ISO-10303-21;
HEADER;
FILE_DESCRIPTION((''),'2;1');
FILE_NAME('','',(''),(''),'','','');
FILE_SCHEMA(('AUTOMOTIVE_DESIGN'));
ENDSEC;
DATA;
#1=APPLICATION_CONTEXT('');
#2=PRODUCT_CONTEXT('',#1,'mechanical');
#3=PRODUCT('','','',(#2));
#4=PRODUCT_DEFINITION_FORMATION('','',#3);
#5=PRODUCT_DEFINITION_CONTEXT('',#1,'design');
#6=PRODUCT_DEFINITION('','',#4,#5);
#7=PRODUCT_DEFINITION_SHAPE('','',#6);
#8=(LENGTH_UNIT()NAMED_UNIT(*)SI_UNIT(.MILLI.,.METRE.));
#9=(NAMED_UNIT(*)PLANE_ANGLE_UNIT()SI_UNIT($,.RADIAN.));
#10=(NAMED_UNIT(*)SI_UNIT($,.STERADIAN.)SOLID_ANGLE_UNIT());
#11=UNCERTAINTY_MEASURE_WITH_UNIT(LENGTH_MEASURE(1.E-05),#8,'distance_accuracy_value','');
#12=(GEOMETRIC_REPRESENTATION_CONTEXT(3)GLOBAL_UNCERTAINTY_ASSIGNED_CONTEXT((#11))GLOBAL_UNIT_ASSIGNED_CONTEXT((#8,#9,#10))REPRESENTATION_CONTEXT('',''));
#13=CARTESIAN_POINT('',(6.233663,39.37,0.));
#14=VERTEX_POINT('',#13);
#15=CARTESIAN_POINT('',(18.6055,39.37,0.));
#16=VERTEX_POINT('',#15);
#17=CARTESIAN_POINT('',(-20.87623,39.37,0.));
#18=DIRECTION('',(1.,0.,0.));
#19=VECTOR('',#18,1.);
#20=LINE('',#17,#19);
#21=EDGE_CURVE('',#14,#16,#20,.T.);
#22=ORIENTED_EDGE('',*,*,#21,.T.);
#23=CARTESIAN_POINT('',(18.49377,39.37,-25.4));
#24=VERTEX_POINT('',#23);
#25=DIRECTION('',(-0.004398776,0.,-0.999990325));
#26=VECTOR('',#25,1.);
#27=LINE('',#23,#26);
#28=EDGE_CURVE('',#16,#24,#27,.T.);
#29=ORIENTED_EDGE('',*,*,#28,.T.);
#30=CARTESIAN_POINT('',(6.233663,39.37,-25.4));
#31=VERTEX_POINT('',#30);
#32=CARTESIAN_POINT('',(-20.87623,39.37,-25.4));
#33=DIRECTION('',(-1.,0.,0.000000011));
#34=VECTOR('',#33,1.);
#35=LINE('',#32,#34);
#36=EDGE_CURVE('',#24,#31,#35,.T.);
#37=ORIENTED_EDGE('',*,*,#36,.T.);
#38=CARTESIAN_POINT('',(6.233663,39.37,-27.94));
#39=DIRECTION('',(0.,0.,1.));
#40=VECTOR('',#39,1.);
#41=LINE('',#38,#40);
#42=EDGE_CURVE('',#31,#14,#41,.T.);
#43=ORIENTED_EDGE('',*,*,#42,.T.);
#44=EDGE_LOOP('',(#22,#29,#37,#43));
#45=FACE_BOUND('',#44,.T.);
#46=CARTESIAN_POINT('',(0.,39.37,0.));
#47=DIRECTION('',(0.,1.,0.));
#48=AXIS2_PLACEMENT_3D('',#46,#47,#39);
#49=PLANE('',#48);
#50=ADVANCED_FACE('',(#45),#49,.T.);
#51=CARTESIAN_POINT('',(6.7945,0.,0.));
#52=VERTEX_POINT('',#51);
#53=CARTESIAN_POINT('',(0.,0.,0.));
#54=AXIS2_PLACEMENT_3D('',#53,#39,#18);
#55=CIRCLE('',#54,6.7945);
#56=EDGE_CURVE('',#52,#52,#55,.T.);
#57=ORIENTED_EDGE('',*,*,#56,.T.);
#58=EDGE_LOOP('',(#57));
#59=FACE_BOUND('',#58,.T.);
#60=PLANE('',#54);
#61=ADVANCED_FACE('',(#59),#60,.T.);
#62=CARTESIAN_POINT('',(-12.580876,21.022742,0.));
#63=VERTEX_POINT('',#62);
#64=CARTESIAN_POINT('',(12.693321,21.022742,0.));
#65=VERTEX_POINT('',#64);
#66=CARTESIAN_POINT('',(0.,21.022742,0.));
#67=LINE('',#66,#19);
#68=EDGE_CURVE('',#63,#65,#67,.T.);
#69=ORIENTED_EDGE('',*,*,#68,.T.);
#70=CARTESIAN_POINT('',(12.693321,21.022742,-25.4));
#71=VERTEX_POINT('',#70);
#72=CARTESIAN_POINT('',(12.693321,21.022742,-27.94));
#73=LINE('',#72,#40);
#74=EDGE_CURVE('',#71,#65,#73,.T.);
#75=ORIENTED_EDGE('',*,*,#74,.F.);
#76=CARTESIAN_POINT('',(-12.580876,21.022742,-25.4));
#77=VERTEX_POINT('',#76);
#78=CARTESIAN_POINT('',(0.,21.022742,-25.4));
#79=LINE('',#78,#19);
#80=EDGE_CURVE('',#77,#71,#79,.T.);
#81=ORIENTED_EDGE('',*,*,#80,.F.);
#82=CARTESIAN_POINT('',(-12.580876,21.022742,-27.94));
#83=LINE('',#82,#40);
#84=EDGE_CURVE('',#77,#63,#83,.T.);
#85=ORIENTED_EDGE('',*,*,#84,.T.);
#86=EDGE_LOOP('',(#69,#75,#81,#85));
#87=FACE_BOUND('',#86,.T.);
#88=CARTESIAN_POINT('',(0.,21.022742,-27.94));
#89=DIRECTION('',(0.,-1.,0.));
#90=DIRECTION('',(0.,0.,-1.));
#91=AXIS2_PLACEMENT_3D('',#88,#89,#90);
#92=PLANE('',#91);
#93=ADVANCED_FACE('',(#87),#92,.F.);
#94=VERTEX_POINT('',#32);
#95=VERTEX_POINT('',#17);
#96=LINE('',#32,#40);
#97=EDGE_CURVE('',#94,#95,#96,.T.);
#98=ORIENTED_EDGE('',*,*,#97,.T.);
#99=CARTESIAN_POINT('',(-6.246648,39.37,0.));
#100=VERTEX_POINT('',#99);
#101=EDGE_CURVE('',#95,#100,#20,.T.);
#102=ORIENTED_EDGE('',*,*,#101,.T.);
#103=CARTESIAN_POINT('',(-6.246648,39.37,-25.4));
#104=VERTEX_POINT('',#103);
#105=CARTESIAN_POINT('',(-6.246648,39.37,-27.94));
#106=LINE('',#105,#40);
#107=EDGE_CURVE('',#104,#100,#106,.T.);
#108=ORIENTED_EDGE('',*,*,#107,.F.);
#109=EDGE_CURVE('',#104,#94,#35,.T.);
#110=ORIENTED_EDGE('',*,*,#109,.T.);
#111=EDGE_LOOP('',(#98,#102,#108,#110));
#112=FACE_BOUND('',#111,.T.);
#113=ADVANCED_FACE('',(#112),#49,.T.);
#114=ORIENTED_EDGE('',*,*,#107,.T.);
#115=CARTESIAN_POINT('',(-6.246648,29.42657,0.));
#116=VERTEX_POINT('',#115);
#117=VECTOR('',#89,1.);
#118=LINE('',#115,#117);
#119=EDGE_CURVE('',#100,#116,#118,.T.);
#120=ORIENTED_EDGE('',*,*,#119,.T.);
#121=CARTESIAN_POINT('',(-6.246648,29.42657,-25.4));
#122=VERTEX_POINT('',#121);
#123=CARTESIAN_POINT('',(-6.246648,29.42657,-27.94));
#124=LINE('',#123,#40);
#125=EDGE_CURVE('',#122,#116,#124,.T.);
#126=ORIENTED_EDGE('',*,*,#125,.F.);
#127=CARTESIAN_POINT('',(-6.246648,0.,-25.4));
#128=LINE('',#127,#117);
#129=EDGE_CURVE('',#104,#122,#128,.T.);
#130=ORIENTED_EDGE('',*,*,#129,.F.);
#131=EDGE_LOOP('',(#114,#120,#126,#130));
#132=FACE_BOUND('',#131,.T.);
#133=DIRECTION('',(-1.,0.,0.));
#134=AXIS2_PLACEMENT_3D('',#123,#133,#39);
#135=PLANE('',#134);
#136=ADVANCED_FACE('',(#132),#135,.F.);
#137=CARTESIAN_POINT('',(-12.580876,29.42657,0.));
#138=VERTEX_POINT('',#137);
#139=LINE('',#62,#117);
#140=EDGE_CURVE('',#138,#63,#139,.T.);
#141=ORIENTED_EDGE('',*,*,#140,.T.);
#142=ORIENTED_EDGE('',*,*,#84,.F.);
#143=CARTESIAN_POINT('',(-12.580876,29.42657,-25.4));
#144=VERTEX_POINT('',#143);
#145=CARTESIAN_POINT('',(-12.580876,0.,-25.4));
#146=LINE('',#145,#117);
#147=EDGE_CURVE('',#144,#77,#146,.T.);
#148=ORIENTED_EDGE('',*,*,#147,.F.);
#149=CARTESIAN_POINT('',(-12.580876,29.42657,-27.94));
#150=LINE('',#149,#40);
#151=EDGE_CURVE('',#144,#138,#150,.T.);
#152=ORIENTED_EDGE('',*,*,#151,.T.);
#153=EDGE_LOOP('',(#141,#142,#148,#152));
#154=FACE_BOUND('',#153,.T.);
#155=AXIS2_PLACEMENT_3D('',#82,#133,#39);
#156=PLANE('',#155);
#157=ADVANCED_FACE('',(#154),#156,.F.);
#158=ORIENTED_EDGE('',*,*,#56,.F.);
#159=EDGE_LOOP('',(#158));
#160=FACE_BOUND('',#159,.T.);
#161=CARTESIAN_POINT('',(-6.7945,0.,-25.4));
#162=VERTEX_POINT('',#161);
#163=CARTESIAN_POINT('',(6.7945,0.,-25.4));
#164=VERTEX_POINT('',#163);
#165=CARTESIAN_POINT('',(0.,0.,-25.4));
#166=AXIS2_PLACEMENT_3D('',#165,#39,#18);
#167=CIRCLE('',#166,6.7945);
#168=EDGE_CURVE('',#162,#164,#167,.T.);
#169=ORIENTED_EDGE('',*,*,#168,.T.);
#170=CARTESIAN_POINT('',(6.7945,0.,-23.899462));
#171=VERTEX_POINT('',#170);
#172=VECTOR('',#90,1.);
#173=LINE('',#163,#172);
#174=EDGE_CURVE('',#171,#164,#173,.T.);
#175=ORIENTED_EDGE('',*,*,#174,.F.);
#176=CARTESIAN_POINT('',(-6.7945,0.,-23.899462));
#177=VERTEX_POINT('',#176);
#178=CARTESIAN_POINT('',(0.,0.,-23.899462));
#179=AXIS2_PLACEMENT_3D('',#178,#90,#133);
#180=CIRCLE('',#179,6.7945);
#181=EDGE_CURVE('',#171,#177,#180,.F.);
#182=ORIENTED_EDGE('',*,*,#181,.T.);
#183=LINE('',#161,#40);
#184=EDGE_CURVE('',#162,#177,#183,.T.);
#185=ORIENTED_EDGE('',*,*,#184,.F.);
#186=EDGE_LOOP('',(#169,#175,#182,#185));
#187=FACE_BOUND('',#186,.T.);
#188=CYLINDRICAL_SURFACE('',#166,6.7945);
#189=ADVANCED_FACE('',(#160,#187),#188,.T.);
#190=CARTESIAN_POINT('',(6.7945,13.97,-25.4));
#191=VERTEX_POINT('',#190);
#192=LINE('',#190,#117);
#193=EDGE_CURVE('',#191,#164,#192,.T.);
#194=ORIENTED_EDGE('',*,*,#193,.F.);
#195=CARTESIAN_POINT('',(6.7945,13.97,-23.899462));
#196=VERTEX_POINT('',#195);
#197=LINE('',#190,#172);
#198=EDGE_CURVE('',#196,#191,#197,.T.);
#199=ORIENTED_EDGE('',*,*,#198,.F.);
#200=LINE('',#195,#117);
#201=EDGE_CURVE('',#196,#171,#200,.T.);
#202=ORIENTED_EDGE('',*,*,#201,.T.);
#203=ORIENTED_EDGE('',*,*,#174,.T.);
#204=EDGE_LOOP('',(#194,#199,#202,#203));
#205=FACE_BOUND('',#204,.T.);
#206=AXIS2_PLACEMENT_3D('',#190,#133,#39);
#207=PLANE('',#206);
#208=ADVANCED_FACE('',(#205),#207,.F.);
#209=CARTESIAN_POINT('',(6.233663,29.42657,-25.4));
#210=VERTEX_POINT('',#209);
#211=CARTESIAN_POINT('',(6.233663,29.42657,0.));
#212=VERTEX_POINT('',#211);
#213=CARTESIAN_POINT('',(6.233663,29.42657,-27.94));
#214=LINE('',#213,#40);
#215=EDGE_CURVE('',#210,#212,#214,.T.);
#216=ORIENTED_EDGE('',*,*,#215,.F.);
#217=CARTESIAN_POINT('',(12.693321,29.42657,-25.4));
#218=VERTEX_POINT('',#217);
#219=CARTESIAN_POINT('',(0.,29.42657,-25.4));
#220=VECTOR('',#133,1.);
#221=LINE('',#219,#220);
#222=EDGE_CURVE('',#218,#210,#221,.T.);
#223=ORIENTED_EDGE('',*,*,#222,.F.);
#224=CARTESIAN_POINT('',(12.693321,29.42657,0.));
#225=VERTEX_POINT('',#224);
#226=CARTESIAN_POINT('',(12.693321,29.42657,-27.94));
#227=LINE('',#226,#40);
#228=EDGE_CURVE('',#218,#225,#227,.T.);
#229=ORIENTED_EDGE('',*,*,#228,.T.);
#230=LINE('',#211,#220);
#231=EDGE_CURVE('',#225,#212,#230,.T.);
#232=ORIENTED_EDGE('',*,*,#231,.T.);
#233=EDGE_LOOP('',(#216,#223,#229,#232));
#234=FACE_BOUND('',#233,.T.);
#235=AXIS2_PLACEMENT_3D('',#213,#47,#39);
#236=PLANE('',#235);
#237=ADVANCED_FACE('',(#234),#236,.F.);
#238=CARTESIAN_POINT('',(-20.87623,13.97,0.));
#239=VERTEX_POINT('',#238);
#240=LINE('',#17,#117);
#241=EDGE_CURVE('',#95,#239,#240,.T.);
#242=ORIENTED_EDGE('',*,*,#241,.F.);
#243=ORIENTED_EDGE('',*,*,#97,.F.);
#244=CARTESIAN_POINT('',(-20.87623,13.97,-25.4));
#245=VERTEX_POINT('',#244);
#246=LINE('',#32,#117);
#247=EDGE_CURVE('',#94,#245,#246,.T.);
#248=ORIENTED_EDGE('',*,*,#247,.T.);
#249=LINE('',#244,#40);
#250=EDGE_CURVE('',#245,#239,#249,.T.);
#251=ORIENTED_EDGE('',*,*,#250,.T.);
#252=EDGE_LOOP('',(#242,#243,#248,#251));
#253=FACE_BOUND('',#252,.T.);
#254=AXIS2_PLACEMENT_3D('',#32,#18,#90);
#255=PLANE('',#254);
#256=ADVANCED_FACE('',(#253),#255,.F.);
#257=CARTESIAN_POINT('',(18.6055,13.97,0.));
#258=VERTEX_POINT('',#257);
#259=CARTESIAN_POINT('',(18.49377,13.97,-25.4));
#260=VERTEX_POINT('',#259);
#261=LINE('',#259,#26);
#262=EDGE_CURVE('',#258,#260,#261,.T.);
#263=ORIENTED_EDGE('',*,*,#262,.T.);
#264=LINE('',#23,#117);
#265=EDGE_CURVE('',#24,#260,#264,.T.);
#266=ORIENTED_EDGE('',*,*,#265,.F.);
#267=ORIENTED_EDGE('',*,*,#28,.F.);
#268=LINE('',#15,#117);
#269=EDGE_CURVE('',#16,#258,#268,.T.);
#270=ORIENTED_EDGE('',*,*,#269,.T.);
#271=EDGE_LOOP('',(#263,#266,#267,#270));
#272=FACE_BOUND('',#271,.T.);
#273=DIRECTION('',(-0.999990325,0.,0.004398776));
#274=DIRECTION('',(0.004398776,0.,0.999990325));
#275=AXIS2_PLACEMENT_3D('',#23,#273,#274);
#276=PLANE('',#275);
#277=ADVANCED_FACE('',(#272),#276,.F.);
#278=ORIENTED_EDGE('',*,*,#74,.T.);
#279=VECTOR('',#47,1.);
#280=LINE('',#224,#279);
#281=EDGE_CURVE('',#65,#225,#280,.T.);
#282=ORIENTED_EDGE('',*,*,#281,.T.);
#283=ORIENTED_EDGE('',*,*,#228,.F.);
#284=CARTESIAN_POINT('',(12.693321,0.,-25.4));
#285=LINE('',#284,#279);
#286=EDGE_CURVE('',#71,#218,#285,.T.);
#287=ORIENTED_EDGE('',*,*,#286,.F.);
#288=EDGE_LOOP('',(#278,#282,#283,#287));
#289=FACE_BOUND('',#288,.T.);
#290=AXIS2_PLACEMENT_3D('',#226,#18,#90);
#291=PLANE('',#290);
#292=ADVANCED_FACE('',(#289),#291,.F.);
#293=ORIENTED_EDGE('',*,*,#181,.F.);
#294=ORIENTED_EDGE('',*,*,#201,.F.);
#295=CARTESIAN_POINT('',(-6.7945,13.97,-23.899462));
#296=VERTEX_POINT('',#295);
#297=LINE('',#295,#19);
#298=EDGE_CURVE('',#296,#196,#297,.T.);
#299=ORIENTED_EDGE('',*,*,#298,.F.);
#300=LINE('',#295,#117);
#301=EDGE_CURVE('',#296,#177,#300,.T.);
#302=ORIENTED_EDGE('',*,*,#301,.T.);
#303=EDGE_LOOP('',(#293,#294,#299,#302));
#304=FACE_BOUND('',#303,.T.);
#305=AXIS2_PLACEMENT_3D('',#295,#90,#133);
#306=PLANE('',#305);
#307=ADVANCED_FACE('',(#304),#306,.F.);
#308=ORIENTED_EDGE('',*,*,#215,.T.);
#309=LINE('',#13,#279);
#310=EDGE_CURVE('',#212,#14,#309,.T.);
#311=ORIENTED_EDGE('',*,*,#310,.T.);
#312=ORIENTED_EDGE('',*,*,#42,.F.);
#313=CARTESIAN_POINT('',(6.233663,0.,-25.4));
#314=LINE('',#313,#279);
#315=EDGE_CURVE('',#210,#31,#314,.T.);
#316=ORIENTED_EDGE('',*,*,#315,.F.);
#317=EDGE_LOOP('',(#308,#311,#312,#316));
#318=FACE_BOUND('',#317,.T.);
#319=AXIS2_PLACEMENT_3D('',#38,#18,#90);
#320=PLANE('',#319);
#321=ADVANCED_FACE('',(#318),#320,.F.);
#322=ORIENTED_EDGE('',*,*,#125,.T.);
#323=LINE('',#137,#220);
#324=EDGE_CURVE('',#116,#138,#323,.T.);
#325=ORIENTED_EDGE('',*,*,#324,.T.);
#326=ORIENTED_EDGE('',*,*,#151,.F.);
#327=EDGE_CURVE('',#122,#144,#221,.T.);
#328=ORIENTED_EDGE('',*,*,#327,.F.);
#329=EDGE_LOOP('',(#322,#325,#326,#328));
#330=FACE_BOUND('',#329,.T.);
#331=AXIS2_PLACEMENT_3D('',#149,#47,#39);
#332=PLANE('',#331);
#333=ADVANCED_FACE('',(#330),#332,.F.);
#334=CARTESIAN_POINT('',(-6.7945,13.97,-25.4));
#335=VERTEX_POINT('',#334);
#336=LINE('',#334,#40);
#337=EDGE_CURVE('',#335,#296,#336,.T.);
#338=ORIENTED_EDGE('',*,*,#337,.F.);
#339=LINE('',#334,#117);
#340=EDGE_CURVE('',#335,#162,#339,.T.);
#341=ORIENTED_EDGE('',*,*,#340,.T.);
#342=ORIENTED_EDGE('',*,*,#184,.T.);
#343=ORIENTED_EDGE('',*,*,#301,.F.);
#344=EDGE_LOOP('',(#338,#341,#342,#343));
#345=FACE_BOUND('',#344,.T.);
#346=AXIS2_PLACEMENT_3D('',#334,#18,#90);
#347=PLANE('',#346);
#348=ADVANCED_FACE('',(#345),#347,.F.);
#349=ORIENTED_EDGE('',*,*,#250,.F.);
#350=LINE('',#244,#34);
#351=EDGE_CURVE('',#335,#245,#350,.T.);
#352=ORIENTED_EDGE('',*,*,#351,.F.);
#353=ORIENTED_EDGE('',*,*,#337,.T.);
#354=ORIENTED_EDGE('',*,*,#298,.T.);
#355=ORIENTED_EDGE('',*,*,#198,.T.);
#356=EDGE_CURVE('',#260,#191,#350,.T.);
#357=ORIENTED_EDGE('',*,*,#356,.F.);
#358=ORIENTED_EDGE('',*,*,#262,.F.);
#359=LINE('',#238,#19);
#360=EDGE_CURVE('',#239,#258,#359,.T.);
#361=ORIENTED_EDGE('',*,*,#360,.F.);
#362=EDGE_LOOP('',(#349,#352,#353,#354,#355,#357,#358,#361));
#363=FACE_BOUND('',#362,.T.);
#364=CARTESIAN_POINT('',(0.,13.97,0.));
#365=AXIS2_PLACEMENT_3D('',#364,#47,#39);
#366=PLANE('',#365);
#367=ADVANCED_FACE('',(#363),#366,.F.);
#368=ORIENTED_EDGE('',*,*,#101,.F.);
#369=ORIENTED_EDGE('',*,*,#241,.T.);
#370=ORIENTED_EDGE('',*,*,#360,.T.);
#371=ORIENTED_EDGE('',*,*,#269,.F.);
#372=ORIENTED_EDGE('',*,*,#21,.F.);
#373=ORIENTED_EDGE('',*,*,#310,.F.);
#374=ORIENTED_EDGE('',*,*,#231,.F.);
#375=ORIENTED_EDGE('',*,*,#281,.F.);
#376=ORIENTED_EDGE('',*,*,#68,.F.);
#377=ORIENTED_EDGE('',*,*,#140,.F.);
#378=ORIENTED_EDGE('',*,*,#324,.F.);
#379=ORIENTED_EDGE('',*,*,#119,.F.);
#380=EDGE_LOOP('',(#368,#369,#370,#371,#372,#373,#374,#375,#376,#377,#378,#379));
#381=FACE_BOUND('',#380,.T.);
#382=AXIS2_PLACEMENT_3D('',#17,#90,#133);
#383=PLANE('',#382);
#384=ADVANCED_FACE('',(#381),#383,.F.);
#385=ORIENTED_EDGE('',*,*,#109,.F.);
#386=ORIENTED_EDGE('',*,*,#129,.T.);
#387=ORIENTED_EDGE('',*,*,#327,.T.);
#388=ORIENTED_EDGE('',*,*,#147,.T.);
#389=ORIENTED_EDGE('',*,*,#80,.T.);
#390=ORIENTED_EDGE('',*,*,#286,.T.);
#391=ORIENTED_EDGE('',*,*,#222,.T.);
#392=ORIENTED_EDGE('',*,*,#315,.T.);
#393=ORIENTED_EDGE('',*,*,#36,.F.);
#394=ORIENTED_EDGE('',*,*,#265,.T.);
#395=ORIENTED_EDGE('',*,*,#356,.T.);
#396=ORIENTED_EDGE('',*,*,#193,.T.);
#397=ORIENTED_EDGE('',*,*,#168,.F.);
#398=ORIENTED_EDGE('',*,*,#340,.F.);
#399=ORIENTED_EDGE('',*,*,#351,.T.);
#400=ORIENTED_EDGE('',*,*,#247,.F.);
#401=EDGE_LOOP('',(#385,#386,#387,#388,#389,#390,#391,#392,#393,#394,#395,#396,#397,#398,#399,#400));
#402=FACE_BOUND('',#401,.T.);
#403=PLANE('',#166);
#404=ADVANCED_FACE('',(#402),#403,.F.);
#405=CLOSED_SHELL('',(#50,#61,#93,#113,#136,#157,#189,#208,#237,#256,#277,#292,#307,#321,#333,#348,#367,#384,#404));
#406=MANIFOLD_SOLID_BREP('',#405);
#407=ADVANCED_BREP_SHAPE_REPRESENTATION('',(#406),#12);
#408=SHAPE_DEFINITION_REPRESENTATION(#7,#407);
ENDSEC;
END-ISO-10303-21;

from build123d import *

# Parameters (mm, degrees)
SKETCH1_R           = 6.7945
BOSS_EXTRUDE1_DEPTH = 25.4
SKETCH2_W           = 13.589
SKETCH2_H           = 1.500538131
BOSS_EXTRUDE2_DEPTH = 13.97
BOSS_EXTRUDE3_DEPTH = 25.4
CUT_EXTRUDE1_DEPTH  = 27.94


with BuildPart() as part:
    # Sketch1 → Boss-Extrude1 (new body)
    with BuildSketch(Plane.XY):
        Circle(SKETCH1_R)
    extrude(amount=-BOSS_EXTRUDE1_DEPTH)

    # Sketch2 → Boss-Extrude2 (add)
    with BuildSketch(Plane(origin=(0, 0, 0), x_dir=(1, 0, 0), z_dir=(0, 1, 0))):
        with Locations((0, 24.649730935)):
            Rectangle(SKETCH2_W, SKETCH2_H)
    extrude(amount=BOSS_EXTRUDE2_DEPTH)

    # Sketch6 → Boss-Extrude3 (add)
    with BuildSketch(Plane(origin=(0, 13.97, 0), x_dir=(1, 0, 0), z_dir=(0, 1, 0))):
        Polygon((-20.876229987, 25.399999851), (18.493770013, 25.40000027), (18.6055, 0), (-20.876229987, 0), align=None)
    extrude(amount=BOSS_EXTRUDE3_DEPTH)

    # Sketch11 → Cut-Extrude1 (cut)
    with BuildSketch(Plane.XY):
        Polygon((0, 21.022742384), (-12.580876385, 21.022742384), (-12.580876385, 29.426569926), (-6.246648163, 29.426569926), (-6.246648163, 39.37), (0, 39.37), (6.233662889, 39.37), (6.233662889, 29.426569926), (12.693321373, 29.426569926), (12.693321373, 21.022742384), align=None)
    extrude(amount=-CUT_EXTRUDE1_DEPTH, mode=Mode.SUBTRACT)


solid = part.part
